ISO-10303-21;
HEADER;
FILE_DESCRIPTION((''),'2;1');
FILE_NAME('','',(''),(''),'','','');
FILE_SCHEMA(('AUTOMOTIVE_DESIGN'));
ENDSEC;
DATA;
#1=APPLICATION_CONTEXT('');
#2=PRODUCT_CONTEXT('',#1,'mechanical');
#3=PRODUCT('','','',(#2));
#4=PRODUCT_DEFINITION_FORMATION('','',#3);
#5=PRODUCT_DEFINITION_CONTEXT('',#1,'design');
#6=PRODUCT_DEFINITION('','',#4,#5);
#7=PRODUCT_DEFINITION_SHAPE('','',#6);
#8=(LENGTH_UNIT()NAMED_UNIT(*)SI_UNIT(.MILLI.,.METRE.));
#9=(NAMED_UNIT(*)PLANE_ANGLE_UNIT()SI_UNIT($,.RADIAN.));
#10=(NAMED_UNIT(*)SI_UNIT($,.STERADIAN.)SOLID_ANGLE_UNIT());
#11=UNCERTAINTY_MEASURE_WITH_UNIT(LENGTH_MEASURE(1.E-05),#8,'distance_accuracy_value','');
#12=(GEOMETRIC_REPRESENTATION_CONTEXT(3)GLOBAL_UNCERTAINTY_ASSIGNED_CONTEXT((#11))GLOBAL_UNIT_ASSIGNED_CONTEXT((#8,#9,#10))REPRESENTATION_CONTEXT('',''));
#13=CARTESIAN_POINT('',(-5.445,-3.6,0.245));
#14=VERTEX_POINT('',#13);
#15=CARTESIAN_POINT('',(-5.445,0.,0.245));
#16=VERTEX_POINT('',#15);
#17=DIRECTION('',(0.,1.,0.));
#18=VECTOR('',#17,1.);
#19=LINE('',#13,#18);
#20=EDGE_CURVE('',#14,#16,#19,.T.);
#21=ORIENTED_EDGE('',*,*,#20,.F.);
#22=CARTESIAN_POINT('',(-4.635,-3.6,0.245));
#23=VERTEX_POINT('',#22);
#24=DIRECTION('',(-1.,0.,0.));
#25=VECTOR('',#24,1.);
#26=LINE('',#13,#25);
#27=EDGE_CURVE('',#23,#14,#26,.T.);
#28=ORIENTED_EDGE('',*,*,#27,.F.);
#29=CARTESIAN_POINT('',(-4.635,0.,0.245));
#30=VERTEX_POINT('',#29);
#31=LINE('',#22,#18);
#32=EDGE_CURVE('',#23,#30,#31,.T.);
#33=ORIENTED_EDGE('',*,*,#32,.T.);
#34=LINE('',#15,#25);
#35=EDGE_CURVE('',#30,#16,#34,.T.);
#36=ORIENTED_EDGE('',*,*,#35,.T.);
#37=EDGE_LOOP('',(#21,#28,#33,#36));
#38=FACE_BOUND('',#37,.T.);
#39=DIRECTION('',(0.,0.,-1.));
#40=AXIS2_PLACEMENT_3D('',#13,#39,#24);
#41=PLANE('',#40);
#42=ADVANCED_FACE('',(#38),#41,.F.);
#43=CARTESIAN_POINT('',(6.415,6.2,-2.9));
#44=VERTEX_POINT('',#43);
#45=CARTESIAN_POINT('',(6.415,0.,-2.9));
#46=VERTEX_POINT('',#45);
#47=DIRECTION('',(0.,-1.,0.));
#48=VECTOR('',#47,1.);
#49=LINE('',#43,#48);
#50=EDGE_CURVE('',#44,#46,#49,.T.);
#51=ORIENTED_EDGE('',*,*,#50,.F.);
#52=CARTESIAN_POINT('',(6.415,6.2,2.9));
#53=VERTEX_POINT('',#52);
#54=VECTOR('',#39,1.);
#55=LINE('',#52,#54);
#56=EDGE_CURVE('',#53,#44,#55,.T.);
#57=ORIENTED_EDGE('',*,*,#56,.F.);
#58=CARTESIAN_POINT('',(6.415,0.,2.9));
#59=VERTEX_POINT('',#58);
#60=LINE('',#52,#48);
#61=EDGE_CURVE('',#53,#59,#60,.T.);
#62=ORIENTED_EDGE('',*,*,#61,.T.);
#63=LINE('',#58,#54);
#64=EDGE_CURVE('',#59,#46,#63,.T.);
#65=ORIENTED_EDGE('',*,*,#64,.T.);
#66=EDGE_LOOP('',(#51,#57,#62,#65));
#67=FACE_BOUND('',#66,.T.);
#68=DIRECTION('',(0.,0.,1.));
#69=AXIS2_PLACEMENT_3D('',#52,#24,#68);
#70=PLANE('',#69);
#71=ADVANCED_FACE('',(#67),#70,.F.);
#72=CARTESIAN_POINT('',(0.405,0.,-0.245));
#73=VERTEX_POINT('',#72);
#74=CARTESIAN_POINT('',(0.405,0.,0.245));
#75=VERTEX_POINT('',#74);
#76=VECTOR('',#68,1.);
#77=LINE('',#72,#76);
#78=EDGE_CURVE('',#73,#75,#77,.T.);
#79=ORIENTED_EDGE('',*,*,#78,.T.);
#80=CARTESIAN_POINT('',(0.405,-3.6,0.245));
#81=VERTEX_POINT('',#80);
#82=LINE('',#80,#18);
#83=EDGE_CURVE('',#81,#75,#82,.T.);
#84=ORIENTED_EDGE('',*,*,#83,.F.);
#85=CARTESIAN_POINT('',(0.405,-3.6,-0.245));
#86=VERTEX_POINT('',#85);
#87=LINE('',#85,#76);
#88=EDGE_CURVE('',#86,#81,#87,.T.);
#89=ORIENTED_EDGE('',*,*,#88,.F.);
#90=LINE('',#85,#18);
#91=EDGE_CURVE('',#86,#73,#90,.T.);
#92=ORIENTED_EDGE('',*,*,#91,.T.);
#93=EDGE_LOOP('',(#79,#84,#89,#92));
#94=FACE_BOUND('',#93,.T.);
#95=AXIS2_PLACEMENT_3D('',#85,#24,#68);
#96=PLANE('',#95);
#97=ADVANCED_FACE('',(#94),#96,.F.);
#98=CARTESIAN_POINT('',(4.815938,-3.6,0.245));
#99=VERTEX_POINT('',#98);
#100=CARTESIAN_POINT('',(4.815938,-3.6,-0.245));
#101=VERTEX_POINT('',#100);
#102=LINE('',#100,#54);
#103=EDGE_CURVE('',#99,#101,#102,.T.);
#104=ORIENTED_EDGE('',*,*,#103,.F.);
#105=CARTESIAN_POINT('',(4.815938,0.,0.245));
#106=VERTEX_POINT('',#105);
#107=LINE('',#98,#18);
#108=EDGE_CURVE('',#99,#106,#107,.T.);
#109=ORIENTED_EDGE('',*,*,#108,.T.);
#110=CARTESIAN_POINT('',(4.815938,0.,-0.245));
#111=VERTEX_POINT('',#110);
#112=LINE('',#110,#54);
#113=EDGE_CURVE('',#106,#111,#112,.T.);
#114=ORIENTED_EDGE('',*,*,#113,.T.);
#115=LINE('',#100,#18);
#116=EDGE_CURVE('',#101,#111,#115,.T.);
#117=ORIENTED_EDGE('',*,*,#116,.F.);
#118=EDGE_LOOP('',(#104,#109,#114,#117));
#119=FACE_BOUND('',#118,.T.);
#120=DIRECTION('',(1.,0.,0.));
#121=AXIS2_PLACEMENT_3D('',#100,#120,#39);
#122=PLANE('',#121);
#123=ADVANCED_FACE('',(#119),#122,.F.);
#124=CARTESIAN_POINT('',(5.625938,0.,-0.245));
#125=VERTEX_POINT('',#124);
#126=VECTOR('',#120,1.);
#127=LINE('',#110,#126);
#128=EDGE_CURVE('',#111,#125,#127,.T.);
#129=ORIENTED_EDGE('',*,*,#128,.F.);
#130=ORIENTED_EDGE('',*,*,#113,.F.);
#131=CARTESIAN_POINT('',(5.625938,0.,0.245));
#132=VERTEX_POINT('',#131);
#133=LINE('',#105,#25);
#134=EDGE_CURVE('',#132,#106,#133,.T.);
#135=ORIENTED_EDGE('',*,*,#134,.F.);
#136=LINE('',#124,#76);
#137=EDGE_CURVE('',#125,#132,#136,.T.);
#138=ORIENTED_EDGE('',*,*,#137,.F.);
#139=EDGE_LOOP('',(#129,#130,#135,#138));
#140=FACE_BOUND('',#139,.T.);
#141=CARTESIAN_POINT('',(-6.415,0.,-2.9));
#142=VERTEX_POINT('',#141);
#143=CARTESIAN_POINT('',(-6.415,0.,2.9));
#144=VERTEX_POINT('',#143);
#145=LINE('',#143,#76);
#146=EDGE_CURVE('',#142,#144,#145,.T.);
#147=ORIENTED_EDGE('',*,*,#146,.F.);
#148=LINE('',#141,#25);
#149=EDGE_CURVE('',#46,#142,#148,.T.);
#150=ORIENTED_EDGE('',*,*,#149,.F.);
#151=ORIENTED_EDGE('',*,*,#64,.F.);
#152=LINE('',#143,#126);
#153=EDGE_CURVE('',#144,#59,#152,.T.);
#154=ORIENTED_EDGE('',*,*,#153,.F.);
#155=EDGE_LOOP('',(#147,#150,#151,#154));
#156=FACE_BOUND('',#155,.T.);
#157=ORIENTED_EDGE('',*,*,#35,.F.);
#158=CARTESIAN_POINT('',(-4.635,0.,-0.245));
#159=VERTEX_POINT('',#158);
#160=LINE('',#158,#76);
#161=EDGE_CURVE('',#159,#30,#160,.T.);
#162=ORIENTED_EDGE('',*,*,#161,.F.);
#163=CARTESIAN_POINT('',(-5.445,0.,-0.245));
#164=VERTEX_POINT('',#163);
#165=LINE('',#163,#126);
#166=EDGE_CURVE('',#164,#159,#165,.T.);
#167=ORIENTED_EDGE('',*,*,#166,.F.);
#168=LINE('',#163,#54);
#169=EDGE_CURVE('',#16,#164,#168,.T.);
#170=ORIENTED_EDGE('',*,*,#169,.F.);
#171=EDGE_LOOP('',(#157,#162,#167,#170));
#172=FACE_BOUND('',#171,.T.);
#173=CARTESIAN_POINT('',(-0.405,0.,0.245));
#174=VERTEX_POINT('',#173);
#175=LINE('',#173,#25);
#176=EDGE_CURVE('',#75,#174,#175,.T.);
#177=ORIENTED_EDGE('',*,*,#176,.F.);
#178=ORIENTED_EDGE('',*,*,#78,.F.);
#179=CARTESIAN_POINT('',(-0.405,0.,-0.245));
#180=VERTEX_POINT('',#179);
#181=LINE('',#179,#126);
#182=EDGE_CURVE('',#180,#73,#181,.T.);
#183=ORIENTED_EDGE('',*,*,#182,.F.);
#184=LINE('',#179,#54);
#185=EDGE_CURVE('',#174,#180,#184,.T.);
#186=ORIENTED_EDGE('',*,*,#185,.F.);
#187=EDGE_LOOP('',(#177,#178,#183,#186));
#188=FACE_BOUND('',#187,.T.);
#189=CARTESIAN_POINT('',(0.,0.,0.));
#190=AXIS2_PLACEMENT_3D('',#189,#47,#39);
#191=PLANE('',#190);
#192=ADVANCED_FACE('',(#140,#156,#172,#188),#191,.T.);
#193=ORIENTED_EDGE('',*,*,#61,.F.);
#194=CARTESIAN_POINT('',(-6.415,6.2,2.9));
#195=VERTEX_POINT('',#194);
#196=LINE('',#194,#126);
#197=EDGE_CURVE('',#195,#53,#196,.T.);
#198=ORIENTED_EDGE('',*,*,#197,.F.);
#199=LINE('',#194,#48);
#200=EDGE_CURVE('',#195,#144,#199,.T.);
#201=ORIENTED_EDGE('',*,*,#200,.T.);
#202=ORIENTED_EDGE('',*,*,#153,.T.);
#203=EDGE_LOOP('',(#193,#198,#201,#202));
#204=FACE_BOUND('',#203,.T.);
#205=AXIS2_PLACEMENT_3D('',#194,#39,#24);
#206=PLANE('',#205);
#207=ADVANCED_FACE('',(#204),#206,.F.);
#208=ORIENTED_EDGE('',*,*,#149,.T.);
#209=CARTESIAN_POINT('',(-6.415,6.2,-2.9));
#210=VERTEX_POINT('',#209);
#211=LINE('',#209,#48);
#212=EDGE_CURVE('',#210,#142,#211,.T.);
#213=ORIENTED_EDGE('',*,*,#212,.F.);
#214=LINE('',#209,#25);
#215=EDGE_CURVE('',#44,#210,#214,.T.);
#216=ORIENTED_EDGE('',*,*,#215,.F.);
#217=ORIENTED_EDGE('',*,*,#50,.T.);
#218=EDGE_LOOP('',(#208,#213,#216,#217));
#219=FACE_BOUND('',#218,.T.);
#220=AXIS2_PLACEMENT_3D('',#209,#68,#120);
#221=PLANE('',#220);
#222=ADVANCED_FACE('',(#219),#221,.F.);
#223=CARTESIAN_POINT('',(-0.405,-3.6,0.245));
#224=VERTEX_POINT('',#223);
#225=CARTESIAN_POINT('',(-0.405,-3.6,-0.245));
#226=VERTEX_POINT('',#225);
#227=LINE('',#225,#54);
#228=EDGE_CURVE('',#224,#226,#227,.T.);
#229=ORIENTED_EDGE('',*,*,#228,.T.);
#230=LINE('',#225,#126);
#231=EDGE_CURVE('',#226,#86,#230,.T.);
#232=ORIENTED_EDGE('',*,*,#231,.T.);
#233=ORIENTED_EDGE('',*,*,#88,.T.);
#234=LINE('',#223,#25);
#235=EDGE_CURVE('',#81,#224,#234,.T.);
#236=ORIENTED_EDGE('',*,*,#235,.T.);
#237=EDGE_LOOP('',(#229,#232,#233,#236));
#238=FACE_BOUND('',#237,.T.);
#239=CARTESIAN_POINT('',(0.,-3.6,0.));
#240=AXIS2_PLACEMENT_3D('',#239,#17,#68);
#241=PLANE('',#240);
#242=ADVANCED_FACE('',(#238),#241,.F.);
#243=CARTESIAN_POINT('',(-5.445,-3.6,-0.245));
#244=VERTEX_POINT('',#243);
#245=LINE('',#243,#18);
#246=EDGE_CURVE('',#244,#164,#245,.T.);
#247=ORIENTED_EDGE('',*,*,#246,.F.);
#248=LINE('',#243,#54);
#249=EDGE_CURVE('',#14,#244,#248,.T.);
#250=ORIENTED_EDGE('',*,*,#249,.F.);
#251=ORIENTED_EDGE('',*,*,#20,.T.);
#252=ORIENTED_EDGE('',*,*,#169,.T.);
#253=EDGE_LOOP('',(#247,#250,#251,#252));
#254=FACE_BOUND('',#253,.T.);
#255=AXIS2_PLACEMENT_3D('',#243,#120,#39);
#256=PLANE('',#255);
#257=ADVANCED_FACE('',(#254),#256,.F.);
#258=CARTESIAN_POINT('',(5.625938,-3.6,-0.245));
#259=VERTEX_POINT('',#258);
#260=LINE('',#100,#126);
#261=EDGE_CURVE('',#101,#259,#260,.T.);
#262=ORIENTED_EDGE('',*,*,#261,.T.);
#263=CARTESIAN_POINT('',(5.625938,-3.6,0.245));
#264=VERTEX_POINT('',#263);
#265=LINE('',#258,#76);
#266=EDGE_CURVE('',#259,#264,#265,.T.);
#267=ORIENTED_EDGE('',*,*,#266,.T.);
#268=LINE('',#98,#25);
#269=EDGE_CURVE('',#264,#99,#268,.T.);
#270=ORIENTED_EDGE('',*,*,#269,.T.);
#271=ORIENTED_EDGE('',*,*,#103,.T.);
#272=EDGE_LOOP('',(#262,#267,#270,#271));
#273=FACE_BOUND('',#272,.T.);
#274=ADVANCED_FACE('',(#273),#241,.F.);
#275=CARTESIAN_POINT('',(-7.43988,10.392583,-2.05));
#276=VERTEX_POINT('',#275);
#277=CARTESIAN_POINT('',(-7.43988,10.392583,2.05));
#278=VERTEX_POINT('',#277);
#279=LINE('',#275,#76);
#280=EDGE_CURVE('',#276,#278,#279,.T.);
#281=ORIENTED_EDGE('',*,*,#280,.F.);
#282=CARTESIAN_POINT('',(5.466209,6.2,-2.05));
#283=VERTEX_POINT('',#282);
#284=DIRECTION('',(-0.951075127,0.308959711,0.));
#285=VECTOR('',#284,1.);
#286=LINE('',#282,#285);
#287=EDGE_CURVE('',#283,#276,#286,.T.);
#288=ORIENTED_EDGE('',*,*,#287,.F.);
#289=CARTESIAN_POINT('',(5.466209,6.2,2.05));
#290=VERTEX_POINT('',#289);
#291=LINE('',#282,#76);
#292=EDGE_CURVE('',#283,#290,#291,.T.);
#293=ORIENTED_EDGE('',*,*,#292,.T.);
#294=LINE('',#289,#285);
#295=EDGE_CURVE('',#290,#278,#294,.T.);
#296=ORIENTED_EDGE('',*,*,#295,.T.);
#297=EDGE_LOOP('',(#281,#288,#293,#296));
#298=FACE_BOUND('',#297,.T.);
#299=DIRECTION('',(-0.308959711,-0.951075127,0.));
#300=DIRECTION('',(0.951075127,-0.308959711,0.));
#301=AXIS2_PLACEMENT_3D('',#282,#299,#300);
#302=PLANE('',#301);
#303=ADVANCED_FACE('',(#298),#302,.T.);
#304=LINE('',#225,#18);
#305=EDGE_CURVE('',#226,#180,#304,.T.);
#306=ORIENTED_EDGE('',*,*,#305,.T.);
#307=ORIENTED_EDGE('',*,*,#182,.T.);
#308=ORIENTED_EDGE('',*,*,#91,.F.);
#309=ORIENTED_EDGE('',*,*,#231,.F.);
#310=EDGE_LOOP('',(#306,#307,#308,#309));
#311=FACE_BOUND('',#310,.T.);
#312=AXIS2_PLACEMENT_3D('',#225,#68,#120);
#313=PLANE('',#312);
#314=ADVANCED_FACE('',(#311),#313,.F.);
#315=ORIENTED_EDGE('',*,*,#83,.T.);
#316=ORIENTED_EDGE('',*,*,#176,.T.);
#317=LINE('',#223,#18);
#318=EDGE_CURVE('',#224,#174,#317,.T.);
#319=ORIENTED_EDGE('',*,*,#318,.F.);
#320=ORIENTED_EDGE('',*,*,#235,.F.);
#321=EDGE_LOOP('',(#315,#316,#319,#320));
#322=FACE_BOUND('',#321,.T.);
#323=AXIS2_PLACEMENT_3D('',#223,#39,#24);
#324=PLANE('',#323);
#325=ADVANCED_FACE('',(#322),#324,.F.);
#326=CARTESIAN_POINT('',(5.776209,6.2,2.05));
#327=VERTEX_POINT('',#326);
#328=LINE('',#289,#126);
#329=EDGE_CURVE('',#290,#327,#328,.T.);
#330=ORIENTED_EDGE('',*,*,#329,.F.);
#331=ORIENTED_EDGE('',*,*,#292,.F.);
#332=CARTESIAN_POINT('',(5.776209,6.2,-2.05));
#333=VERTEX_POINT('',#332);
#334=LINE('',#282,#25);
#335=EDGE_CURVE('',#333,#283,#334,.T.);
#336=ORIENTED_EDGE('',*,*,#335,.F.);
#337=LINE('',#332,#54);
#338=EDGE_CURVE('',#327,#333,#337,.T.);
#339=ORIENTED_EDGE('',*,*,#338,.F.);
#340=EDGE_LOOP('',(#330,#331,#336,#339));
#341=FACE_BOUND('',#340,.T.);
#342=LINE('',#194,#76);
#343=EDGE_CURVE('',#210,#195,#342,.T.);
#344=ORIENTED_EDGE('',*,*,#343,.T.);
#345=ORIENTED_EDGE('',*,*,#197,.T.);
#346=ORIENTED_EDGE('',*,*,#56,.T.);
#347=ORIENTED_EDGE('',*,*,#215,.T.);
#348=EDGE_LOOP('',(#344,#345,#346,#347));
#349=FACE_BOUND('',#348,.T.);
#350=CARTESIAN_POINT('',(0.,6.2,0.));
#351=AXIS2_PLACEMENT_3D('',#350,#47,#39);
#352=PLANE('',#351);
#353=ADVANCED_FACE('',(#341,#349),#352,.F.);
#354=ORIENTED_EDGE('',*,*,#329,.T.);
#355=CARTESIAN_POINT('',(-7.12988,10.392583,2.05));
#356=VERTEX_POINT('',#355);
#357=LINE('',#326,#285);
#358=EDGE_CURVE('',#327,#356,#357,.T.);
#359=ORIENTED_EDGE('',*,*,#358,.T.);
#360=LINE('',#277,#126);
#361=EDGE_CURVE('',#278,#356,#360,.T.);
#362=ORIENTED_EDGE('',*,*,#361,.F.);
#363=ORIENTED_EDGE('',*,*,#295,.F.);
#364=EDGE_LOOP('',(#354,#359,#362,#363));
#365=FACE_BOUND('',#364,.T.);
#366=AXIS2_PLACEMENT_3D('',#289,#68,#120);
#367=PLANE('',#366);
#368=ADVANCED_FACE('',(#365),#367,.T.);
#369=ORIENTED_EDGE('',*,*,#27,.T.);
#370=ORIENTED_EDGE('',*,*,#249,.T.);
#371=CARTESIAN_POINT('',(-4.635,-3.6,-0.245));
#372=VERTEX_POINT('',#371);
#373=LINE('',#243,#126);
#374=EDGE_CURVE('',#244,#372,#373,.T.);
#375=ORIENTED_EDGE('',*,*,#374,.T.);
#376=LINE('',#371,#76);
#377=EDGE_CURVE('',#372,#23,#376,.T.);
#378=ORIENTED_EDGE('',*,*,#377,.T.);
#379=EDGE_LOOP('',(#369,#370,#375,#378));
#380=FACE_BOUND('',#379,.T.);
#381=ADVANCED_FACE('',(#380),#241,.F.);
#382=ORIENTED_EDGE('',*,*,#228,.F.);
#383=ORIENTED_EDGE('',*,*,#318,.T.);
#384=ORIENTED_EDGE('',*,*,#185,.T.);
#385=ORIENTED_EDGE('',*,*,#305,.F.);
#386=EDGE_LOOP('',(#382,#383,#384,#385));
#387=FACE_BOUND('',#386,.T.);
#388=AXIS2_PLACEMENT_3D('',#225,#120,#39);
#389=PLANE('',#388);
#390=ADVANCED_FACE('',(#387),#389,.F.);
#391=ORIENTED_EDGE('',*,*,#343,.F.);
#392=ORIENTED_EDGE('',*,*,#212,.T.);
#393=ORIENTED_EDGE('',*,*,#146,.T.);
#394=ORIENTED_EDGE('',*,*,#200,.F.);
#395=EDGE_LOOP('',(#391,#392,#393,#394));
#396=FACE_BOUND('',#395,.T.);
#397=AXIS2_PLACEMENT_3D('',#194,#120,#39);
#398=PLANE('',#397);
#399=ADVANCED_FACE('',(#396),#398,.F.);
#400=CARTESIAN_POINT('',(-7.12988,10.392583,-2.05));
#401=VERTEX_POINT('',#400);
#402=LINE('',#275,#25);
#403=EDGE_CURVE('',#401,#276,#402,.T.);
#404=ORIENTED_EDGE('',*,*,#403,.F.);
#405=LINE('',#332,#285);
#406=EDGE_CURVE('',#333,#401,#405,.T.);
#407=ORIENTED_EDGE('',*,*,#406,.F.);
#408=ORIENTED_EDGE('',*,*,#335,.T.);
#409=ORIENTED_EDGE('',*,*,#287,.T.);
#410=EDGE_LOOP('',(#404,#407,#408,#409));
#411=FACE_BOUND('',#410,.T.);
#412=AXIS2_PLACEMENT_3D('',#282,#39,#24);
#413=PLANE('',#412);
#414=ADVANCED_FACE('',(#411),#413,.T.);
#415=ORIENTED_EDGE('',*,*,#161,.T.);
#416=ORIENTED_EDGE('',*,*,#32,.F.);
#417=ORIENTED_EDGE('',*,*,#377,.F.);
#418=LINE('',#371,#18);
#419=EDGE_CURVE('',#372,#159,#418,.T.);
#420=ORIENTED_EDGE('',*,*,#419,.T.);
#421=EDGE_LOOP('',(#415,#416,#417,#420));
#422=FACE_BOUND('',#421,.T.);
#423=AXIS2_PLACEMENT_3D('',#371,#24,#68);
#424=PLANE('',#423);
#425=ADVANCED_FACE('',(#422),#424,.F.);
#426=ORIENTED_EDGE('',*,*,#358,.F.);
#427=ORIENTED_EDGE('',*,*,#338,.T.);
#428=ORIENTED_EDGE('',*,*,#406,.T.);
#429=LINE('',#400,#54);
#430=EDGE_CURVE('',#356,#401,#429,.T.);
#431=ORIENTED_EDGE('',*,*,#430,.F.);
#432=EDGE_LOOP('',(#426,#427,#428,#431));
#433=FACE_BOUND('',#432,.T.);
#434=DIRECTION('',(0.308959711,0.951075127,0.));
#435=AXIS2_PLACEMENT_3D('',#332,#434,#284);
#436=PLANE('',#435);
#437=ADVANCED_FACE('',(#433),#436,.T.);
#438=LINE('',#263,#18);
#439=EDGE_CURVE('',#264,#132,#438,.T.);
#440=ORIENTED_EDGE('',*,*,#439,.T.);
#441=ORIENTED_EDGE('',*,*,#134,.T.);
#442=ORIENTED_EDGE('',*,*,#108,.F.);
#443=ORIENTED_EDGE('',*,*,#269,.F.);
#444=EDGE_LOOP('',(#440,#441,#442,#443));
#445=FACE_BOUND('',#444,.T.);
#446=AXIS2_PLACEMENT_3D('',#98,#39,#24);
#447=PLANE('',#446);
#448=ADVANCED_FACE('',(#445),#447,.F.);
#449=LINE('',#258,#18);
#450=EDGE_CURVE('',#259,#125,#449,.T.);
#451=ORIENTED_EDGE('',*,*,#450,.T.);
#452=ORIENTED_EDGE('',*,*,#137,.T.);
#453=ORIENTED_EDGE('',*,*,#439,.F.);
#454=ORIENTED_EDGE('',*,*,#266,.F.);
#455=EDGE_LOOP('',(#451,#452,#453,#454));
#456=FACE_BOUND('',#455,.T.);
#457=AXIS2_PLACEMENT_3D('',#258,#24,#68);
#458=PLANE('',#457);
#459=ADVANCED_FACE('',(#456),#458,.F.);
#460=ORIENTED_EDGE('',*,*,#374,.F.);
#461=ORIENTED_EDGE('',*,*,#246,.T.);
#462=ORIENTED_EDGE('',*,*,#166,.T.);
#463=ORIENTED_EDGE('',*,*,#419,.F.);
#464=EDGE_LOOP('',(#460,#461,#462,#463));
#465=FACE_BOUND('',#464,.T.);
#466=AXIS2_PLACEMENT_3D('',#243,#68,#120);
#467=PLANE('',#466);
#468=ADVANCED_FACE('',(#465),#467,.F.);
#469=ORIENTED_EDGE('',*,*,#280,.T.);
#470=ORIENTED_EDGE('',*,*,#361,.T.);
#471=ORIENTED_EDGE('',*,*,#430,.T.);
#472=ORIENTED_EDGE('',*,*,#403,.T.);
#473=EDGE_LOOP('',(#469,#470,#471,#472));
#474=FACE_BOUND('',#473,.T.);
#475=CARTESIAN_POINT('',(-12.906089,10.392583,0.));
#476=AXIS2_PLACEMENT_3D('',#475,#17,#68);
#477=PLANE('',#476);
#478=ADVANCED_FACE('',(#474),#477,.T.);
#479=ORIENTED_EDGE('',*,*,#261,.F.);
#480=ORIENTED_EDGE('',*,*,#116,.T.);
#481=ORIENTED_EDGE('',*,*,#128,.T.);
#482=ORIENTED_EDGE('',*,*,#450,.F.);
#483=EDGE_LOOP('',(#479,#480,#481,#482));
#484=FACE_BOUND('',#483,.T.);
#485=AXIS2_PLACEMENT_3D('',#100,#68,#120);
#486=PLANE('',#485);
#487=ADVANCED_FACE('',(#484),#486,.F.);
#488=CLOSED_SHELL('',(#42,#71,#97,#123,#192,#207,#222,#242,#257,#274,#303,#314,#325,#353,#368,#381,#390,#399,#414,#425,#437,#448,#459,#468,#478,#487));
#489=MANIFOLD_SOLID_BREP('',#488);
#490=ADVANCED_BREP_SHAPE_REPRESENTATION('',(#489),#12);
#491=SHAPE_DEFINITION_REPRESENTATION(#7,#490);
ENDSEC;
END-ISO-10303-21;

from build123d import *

# Parameters (mm, degrees)
SKETCH1_W           = 12.83
SKETCH1_H           = 5.8
BOSS_EXTRUDE1_DEPTH = 6.2
SKETCH2_W           = 0.31
SKETCH2_H           = 4.1
SKETCH4_W           = 0.81
SKETCH4_H           = 0.49
BOSS_EXTRUDE2_DEPTH = 3.6


with BuildPart() as part:
    # Sketch1 → Boss-Extrude1 (new body)
    with BuildSketch(Plane(origin=(0, 0, 0), x_dir=(1, 0, 0), z_dir=(0, 1, 0))):
        Rectangle(SKETCH1_W, SKETCH1_H)
    extrude(amount=BOSS_EXTRUDE1_DEPTH)

    # Sweep1: sweep along a path in Sketch3
    with BuildLine(Plane.XY.offset(2.9)) as sweep1_path:
        Line((5.621209299, 6.2), (-7.284880173, 10.392583278))
    # Sketch2 → Sweep1 (sweep)
    with BuildSketch(Plane(origin=(0, 6.2, 0), x_dir=(1, 0, 0), z_dir=(0, 1, 0))):
        with Locations((5.621209299, 0)):
            Rectangle(SKETCH2_W, SKETCH2_H)
    sweep(path=sweep1_path.line)

    # Sketch4 → Boss-Extrude2 (add)
    with BuildSketch(Plane.XZ):
        with Locations((-5.04, 0)):
            Rectangle(SKETCH4_W, SKETCH4_H)
        Rectangle(SKETCH4_W, SKETCH4_H)
        with Locations((5.220937528, 0)):
            Rectangle(SKETCH4_W, SKETCH4_H)
    extrude(amount=BOSS_EXTRUDE2_DEPTH)


solid = part.part
